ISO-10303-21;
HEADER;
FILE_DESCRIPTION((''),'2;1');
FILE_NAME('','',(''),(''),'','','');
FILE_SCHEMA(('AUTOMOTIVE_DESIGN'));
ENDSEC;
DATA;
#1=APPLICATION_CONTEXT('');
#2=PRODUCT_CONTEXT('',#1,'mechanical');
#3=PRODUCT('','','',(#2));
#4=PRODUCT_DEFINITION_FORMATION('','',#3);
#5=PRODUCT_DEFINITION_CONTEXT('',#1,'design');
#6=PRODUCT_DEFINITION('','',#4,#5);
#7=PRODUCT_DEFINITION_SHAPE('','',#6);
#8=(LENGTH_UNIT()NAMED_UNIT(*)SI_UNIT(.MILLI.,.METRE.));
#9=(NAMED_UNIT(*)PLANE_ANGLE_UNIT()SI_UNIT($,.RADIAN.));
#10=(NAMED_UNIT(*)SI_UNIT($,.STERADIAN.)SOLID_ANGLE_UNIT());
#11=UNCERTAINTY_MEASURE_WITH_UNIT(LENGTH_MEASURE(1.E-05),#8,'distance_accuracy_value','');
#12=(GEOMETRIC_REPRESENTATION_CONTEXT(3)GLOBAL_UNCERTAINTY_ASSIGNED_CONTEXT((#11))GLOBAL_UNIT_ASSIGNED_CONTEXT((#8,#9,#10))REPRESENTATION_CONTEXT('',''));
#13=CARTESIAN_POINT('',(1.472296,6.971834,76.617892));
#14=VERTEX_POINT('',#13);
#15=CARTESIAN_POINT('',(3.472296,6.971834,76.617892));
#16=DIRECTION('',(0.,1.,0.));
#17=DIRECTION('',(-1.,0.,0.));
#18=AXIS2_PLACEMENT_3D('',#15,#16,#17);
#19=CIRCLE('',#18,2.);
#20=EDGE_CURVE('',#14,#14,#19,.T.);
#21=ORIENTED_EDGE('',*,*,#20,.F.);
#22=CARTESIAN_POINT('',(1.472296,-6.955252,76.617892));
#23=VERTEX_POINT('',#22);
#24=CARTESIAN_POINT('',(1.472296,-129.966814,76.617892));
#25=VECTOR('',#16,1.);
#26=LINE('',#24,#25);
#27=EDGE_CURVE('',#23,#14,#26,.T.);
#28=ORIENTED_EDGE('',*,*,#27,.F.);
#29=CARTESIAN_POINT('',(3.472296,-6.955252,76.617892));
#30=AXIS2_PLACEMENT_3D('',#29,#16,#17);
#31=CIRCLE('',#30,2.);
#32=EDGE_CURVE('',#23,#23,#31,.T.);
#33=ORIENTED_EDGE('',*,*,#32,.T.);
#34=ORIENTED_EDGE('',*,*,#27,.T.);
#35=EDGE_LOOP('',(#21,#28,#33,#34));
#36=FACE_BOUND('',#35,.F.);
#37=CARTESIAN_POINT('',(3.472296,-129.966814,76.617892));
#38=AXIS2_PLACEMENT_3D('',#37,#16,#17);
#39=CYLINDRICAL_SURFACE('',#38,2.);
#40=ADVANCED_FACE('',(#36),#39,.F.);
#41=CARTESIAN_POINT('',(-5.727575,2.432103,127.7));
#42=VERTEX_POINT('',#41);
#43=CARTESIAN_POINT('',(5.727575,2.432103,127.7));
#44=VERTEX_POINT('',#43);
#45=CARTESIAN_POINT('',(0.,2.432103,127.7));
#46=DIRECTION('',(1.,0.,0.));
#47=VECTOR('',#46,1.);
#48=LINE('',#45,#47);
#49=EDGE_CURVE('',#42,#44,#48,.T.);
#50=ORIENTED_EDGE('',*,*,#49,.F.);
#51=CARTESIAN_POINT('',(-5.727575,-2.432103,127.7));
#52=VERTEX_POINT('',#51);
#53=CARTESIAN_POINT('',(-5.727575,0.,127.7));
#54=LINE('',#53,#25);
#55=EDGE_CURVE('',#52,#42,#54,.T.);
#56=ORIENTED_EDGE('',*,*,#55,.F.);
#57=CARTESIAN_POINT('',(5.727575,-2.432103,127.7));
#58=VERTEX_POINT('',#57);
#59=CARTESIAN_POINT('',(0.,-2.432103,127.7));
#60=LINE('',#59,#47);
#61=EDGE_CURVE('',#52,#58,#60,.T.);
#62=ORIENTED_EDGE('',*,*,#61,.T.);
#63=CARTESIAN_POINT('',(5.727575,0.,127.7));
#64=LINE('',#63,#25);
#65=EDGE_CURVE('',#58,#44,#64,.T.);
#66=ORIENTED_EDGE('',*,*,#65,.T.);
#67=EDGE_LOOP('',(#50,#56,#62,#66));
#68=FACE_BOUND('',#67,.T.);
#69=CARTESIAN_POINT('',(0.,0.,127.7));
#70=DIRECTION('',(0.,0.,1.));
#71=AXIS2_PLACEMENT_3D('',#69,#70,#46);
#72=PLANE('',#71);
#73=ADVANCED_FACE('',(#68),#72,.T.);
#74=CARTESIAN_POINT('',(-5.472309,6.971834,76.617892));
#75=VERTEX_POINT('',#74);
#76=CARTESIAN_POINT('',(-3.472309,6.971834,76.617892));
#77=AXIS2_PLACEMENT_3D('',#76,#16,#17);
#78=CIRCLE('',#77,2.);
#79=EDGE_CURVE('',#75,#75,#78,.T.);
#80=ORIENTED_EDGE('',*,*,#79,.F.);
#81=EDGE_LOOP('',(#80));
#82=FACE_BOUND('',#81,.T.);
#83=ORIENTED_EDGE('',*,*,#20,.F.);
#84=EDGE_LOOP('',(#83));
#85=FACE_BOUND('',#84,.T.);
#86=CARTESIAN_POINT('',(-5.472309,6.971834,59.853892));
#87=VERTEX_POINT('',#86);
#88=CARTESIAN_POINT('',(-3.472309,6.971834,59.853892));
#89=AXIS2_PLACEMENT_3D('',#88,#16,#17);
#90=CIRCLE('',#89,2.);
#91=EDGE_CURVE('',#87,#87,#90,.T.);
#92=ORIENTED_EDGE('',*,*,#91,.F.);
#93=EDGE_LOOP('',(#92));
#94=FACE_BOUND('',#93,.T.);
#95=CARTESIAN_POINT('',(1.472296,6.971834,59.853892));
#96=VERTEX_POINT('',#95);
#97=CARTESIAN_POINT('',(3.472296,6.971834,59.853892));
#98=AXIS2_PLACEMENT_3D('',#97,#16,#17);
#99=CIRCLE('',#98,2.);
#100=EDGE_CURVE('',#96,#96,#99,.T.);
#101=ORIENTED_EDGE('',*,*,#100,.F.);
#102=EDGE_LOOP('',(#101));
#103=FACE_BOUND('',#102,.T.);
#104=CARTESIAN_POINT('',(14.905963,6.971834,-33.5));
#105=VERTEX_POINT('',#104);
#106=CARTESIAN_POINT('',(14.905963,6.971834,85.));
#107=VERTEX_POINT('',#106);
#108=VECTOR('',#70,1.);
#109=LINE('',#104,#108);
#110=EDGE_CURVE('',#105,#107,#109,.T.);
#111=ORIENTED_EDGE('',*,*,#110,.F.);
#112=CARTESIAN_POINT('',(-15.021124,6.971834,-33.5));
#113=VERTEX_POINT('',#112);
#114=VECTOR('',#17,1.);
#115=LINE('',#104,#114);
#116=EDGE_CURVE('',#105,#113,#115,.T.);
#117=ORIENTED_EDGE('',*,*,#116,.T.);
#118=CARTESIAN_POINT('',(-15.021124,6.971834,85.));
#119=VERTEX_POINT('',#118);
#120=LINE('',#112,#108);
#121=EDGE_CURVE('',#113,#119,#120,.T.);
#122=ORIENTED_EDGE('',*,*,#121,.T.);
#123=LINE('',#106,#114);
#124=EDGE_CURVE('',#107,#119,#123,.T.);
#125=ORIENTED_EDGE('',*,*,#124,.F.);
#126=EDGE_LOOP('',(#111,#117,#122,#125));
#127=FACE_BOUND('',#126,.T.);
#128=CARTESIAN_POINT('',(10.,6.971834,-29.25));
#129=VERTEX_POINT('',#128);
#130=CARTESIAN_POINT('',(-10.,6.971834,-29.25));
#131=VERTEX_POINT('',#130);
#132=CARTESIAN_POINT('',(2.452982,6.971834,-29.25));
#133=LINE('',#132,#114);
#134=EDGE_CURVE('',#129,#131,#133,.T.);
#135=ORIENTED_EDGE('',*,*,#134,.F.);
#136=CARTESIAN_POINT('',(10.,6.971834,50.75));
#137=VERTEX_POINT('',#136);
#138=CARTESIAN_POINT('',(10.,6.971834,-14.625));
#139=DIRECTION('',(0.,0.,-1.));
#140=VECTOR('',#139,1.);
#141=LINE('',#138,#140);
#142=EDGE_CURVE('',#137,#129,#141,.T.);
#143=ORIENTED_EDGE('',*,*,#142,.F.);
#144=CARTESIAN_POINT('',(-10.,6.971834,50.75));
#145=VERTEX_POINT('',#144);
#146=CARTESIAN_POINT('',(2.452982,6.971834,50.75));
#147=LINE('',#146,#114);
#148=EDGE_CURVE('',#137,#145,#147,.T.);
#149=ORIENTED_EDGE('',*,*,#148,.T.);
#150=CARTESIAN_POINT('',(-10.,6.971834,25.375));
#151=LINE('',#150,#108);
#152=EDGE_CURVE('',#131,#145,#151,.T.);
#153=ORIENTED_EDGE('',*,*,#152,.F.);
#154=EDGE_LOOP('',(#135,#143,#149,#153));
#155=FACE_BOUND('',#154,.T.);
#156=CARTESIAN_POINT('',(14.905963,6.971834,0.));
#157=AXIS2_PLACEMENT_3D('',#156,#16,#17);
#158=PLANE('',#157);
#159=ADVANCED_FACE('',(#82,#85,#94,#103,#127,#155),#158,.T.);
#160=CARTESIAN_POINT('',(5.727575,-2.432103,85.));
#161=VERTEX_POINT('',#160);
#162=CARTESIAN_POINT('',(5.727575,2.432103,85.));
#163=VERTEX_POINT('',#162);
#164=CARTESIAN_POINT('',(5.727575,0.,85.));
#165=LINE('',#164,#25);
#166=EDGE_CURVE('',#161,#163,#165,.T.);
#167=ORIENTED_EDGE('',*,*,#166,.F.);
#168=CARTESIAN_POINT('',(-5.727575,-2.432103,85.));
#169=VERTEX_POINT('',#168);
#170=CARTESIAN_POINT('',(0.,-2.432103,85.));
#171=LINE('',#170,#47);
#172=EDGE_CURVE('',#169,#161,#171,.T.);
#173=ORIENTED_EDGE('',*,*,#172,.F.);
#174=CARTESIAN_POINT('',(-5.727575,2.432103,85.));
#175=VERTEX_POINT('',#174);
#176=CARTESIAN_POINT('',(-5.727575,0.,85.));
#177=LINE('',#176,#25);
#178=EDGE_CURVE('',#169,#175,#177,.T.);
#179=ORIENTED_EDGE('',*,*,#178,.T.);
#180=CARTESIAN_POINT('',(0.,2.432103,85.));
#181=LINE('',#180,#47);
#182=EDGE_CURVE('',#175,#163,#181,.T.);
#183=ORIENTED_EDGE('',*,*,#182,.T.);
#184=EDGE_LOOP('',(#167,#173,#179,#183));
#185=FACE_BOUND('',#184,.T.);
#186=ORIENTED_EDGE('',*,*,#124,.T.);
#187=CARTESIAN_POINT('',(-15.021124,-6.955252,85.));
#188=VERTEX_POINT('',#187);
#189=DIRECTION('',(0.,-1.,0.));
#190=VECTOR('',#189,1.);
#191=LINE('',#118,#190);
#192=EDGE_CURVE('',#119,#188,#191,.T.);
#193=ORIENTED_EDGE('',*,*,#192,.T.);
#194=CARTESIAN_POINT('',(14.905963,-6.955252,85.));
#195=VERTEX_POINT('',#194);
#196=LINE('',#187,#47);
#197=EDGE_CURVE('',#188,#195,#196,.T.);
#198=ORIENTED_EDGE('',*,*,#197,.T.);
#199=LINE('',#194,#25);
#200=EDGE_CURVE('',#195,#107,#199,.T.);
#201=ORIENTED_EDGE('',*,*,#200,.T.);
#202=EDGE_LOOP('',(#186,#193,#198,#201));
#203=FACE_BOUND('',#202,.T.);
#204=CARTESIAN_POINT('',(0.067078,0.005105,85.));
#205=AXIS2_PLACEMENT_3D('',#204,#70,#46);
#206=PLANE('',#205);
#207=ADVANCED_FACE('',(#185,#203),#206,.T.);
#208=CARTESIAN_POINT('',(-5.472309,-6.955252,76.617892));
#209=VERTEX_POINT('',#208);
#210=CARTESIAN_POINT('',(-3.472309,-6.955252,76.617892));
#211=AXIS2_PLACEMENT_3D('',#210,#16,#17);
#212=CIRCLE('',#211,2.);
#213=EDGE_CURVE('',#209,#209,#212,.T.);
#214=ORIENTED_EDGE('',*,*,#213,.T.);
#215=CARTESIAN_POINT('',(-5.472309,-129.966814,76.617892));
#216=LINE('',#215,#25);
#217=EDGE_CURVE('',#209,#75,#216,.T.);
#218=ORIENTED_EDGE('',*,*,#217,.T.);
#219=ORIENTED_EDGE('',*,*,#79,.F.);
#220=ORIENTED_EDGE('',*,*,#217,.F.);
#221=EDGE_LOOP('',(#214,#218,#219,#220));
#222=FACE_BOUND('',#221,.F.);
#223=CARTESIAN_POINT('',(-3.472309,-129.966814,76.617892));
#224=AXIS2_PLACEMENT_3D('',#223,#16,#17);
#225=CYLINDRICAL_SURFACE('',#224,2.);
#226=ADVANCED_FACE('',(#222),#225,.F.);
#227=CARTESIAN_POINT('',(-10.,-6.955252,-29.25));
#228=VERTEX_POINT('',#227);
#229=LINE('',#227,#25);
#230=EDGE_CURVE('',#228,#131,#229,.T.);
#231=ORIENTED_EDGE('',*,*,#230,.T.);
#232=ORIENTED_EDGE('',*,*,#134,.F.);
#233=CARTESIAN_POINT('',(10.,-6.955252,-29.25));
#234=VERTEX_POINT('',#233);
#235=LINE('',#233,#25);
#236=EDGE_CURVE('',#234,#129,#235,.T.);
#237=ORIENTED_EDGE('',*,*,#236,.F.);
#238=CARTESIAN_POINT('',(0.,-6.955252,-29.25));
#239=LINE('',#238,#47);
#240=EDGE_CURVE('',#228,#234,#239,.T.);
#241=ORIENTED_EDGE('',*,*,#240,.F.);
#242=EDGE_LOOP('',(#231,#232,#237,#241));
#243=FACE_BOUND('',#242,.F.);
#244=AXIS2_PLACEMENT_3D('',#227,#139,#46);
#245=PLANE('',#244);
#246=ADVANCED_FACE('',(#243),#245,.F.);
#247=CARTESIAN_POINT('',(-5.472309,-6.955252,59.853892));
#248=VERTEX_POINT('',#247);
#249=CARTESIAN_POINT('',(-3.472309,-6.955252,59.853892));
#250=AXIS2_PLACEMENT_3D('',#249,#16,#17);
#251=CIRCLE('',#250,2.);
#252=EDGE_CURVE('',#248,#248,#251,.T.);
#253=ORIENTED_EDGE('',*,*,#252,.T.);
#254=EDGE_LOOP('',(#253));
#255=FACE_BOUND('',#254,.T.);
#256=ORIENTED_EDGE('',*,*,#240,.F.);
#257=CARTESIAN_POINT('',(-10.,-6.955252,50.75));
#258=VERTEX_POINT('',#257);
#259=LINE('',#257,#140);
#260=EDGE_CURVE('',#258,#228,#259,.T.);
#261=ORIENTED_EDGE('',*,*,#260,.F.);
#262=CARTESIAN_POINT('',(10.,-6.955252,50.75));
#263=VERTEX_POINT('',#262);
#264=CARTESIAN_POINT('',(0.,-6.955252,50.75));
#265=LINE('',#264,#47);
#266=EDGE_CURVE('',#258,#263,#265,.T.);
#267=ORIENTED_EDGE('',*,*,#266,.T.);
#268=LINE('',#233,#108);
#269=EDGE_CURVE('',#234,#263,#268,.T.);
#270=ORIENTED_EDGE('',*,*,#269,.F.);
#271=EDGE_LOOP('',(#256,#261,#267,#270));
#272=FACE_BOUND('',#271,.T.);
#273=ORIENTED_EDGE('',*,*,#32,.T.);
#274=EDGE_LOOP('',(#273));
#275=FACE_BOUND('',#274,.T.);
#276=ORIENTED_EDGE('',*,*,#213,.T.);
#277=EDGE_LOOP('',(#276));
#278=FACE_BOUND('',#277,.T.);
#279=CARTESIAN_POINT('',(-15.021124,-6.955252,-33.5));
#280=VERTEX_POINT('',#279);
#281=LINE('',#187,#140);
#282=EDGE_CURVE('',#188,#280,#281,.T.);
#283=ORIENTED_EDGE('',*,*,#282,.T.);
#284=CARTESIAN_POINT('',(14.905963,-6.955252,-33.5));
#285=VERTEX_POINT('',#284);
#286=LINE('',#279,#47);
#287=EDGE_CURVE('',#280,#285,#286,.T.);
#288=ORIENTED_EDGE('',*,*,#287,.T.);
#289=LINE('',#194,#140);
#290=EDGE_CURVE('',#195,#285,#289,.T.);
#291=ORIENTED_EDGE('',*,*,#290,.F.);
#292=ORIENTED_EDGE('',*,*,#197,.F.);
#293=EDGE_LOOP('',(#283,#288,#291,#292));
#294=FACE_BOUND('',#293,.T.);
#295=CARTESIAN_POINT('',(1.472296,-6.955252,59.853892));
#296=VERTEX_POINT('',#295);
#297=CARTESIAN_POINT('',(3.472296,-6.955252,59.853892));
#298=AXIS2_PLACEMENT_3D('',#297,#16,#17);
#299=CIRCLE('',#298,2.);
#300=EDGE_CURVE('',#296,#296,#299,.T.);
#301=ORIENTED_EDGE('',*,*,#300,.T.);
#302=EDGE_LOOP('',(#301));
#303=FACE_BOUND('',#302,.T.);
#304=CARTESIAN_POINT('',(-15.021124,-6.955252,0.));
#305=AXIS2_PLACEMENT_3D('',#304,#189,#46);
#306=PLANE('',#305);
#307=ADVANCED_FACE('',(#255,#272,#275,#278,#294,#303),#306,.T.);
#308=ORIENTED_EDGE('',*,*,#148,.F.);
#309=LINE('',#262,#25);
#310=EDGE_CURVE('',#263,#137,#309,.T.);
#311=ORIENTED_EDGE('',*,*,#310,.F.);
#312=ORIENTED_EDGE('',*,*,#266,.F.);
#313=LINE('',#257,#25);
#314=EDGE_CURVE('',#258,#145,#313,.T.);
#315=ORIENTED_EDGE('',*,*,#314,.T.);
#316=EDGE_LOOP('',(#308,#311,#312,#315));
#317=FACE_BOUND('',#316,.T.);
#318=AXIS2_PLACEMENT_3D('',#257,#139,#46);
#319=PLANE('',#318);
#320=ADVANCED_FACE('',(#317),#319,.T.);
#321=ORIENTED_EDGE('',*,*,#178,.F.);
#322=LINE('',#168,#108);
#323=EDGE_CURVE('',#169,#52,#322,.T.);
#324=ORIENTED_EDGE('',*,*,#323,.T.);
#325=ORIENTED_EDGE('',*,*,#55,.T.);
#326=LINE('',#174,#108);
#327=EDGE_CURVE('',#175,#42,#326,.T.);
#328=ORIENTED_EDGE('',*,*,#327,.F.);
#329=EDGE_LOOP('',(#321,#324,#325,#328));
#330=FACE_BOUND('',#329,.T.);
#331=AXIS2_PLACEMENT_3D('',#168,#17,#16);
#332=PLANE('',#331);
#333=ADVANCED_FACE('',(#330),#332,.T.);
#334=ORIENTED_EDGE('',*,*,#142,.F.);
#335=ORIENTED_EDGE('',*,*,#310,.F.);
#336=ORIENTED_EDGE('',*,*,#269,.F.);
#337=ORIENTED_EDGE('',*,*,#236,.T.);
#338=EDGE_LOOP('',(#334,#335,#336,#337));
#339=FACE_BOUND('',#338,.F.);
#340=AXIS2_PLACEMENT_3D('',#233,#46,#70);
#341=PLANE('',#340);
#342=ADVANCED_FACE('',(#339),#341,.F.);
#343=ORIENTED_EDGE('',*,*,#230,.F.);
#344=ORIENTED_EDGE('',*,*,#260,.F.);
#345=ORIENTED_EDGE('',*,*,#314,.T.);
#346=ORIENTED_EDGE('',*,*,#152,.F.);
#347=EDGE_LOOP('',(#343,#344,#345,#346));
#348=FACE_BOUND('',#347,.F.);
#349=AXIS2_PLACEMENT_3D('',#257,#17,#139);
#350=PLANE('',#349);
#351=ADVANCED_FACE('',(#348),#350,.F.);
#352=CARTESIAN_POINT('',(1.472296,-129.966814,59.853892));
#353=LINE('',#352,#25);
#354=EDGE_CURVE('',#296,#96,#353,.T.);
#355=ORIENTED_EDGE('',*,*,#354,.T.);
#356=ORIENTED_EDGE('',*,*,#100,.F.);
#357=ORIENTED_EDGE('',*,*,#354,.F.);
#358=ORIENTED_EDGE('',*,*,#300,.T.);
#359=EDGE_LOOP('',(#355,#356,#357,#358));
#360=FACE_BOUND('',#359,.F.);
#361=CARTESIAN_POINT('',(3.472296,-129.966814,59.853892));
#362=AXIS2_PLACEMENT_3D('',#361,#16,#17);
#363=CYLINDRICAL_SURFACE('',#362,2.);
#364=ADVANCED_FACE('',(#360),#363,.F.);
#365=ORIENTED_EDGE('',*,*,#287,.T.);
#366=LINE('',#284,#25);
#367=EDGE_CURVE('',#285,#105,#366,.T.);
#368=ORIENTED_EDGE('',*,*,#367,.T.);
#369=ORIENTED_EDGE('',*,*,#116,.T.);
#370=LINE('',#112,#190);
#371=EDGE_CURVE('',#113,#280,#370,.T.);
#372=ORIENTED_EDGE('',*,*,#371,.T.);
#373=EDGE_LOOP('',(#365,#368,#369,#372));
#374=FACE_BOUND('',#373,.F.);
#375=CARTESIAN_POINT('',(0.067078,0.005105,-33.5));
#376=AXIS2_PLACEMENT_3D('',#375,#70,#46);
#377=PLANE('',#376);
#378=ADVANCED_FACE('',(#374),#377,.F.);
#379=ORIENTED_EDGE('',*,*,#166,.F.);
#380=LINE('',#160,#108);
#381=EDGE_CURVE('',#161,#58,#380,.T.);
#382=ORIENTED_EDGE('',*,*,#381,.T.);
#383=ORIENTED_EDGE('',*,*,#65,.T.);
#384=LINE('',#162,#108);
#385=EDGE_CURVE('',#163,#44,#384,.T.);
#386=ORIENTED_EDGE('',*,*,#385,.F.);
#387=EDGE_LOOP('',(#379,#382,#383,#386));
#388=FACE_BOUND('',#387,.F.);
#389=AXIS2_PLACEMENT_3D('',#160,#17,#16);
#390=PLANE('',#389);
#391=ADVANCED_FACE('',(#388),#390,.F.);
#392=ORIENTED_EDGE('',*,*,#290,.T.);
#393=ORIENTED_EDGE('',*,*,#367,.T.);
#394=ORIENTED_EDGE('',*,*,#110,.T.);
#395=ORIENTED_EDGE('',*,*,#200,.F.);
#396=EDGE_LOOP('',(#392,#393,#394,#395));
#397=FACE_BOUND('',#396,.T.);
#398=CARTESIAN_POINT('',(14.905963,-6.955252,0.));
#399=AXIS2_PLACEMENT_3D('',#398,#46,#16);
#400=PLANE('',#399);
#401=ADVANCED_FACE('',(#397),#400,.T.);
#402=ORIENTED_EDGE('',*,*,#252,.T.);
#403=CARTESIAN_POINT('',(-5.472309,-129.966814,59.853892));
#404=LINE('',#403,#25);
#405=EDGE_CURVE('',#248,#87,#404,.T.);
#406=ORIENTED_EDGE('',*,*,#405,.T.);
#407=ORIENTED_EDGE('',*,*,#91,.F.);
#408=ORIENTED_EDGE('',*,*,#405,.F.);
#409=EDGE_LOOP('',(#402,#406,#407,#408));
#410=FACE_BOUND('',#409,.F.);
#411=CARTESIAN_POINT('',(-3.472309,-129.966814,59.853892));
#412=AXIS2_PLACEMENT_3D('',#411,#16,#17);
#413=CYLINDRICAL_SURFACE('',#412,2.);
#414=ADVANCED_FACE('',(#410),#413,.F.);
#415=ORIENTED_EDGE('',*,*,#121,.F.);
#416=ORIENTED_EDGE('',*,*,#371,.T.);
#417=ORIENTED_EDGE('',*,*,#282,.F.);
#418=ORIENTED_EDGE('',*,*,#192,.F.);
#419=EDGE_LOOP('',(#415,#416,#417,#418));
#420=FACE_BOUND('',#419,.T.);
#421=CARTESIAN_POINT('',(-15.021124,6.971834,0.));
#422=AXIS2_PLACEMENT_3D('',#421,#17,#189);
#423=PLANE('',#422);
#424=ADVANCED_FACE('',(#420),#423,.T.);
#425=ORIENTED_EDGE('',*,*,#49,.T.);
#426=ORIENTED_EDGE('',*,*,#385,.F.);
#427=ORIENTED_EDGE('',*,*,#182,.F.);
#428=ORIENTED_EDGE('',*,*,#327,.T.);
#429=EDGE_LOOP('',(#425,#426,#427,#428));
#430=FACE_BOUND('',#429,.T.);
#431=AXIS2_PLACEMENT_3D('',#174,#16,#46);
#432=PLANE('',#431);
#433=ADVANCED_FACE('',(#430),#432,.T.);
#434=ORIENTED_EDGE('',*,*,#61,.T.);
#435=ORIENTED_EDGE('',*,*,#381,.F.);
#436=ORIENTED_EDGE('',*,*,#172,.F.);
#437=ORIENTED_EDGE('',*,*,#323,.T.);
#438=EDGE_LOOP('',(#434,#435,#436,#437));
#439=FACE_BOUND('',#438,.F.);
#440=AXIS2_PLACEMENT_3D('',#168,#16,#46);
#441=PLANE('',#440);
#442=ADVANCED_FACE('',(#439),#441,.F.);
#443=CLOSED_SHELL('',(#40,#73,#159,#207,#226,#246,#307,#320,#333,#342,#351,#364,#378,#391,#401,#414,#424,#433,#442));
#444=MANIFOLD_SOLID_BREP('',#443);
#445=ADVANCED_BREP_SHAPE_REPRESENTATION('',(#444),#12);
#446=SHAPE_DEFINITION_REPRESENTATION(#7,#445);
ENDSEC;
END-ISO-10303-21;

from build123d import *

# Parameters (mm, degrees)
F0_W     = 10.5505171232
F0_H     = 5.8358493261
F1_DEPTH = 85
F3_DEPTH = 33.5
F4_D     = 4
F5_W     = 11.4551503211
F5_H     = 4.8642051406
F6_DEPTH = 42.7
F7_W     = 20
F7_H     = 50
F7_H_2   = 30
F8_DEPTH = 25


with BuildPart() as f1:
    # F0 (on Top) → F1 (new body)
    with BuildSketch(Plane.XY):
        with BuildLine():
            ThreePointArc((6.3000439482, -6.9552523798), (8.5786924555, -3.8042246479), (9.3843534363, 0))
            ThreePointArc((9.3843534363, 0), (8.5736712413, 3.8155275996), (6.2816887803, 6.9718344419))
            Line((6.2816887803, 6.9718344419), (-6.2816887803, 6.9718344419))
            ThreePointArc((-6.2816887803, 6.9718344419), (-9.384345286, 0.0123680735), (-6.3000439482, -6.9552523798))
            Line((-6.3000439482, -6.9552523798), (6.3000439482, -6.9552523798))
        make_face()
        with Locations((0.2029326279, 0)):
            Rectangle(F0_W, F0_H, mode=Mode.SUBTRACT)
        with BuildLine():
            ThreePointArc((6.2816887803, 6.9718344419), (8.5736712413, 3.8155275996), (9.3843534363, 0))
            ThreePointArc((9.3843534363, 0), (8.5786924555, -3.8042246479), (6.3000439482, -6.9552523798))
            Line((6.3000439482, -6.9552523798), (14.9059631667, -6.9552523798))
            Line((14.9059631667, -6.9552523798), (14.9059631667, 6.9718344419))
            Line((14.9059631667, 6.9718344419), (6.2816887803, 6.9718344419))
        make_face()
        with Locations((0.2029326279, 0)):
            Rectangle(F0_W, F0_H)
        with BuildLine():
            ThreePointArc((-6.3000439482, -6.9552523798), (-9.384345286, 0.0123680735), (-6.2816887803, 6.9718344419))
            Line((-6.2816887803, 6.9718344419), (-15.021123655, 6.9718344419))
            Line((-15.021123655, 6.9718344419), (-15.021123655, -6.9552523798))
            Line((-15.021123655, -6.9552523798), (-6.3000439482, -6.9552523798))
        make_face()
    extrude(amount=F1_DEPTH)

    # F3 (add): a face of the model
    f3_faces = [f1.faces().sort_by_distance(p)[0] for p in [
        (-0.0575802442, 0.008291031, 0),
    ]]
    extrude(f3_faces, amount=F3_DEPTH)

    # F4 (through all)
    with Locations(Plane.XZ.offset(6.9552523798)):
        with Locations((3.4722961341, 76.6178924305), (-3.4723085311, 76.6178924305), (3.4722961341, 59.8538924305), (-3.4723085311, 59.8538924305)):
            Hole(F4_D / 2)

    # F5 (on face) → F6 (join)
    with BuildSketch(Plane.XY.offset(85)):
        Rectangle(F5_W, F5_H)
    extrude(amount=F6_DEPTH)

    # F7 (on face) → F8 (cut)
    with BuildSketch(Plane.XZ.offset(6.9552523798)):
        with Locations((0, 25.75)):
            Rectangle(F7_W, F7_H)
        with Locations((0, -14.25)):
            Rectangle(F7_W, F7_H_2)
    extrude(amount=-F8_DEPTH, mode=Mode.SUBTRACT)


solid = f1.part
